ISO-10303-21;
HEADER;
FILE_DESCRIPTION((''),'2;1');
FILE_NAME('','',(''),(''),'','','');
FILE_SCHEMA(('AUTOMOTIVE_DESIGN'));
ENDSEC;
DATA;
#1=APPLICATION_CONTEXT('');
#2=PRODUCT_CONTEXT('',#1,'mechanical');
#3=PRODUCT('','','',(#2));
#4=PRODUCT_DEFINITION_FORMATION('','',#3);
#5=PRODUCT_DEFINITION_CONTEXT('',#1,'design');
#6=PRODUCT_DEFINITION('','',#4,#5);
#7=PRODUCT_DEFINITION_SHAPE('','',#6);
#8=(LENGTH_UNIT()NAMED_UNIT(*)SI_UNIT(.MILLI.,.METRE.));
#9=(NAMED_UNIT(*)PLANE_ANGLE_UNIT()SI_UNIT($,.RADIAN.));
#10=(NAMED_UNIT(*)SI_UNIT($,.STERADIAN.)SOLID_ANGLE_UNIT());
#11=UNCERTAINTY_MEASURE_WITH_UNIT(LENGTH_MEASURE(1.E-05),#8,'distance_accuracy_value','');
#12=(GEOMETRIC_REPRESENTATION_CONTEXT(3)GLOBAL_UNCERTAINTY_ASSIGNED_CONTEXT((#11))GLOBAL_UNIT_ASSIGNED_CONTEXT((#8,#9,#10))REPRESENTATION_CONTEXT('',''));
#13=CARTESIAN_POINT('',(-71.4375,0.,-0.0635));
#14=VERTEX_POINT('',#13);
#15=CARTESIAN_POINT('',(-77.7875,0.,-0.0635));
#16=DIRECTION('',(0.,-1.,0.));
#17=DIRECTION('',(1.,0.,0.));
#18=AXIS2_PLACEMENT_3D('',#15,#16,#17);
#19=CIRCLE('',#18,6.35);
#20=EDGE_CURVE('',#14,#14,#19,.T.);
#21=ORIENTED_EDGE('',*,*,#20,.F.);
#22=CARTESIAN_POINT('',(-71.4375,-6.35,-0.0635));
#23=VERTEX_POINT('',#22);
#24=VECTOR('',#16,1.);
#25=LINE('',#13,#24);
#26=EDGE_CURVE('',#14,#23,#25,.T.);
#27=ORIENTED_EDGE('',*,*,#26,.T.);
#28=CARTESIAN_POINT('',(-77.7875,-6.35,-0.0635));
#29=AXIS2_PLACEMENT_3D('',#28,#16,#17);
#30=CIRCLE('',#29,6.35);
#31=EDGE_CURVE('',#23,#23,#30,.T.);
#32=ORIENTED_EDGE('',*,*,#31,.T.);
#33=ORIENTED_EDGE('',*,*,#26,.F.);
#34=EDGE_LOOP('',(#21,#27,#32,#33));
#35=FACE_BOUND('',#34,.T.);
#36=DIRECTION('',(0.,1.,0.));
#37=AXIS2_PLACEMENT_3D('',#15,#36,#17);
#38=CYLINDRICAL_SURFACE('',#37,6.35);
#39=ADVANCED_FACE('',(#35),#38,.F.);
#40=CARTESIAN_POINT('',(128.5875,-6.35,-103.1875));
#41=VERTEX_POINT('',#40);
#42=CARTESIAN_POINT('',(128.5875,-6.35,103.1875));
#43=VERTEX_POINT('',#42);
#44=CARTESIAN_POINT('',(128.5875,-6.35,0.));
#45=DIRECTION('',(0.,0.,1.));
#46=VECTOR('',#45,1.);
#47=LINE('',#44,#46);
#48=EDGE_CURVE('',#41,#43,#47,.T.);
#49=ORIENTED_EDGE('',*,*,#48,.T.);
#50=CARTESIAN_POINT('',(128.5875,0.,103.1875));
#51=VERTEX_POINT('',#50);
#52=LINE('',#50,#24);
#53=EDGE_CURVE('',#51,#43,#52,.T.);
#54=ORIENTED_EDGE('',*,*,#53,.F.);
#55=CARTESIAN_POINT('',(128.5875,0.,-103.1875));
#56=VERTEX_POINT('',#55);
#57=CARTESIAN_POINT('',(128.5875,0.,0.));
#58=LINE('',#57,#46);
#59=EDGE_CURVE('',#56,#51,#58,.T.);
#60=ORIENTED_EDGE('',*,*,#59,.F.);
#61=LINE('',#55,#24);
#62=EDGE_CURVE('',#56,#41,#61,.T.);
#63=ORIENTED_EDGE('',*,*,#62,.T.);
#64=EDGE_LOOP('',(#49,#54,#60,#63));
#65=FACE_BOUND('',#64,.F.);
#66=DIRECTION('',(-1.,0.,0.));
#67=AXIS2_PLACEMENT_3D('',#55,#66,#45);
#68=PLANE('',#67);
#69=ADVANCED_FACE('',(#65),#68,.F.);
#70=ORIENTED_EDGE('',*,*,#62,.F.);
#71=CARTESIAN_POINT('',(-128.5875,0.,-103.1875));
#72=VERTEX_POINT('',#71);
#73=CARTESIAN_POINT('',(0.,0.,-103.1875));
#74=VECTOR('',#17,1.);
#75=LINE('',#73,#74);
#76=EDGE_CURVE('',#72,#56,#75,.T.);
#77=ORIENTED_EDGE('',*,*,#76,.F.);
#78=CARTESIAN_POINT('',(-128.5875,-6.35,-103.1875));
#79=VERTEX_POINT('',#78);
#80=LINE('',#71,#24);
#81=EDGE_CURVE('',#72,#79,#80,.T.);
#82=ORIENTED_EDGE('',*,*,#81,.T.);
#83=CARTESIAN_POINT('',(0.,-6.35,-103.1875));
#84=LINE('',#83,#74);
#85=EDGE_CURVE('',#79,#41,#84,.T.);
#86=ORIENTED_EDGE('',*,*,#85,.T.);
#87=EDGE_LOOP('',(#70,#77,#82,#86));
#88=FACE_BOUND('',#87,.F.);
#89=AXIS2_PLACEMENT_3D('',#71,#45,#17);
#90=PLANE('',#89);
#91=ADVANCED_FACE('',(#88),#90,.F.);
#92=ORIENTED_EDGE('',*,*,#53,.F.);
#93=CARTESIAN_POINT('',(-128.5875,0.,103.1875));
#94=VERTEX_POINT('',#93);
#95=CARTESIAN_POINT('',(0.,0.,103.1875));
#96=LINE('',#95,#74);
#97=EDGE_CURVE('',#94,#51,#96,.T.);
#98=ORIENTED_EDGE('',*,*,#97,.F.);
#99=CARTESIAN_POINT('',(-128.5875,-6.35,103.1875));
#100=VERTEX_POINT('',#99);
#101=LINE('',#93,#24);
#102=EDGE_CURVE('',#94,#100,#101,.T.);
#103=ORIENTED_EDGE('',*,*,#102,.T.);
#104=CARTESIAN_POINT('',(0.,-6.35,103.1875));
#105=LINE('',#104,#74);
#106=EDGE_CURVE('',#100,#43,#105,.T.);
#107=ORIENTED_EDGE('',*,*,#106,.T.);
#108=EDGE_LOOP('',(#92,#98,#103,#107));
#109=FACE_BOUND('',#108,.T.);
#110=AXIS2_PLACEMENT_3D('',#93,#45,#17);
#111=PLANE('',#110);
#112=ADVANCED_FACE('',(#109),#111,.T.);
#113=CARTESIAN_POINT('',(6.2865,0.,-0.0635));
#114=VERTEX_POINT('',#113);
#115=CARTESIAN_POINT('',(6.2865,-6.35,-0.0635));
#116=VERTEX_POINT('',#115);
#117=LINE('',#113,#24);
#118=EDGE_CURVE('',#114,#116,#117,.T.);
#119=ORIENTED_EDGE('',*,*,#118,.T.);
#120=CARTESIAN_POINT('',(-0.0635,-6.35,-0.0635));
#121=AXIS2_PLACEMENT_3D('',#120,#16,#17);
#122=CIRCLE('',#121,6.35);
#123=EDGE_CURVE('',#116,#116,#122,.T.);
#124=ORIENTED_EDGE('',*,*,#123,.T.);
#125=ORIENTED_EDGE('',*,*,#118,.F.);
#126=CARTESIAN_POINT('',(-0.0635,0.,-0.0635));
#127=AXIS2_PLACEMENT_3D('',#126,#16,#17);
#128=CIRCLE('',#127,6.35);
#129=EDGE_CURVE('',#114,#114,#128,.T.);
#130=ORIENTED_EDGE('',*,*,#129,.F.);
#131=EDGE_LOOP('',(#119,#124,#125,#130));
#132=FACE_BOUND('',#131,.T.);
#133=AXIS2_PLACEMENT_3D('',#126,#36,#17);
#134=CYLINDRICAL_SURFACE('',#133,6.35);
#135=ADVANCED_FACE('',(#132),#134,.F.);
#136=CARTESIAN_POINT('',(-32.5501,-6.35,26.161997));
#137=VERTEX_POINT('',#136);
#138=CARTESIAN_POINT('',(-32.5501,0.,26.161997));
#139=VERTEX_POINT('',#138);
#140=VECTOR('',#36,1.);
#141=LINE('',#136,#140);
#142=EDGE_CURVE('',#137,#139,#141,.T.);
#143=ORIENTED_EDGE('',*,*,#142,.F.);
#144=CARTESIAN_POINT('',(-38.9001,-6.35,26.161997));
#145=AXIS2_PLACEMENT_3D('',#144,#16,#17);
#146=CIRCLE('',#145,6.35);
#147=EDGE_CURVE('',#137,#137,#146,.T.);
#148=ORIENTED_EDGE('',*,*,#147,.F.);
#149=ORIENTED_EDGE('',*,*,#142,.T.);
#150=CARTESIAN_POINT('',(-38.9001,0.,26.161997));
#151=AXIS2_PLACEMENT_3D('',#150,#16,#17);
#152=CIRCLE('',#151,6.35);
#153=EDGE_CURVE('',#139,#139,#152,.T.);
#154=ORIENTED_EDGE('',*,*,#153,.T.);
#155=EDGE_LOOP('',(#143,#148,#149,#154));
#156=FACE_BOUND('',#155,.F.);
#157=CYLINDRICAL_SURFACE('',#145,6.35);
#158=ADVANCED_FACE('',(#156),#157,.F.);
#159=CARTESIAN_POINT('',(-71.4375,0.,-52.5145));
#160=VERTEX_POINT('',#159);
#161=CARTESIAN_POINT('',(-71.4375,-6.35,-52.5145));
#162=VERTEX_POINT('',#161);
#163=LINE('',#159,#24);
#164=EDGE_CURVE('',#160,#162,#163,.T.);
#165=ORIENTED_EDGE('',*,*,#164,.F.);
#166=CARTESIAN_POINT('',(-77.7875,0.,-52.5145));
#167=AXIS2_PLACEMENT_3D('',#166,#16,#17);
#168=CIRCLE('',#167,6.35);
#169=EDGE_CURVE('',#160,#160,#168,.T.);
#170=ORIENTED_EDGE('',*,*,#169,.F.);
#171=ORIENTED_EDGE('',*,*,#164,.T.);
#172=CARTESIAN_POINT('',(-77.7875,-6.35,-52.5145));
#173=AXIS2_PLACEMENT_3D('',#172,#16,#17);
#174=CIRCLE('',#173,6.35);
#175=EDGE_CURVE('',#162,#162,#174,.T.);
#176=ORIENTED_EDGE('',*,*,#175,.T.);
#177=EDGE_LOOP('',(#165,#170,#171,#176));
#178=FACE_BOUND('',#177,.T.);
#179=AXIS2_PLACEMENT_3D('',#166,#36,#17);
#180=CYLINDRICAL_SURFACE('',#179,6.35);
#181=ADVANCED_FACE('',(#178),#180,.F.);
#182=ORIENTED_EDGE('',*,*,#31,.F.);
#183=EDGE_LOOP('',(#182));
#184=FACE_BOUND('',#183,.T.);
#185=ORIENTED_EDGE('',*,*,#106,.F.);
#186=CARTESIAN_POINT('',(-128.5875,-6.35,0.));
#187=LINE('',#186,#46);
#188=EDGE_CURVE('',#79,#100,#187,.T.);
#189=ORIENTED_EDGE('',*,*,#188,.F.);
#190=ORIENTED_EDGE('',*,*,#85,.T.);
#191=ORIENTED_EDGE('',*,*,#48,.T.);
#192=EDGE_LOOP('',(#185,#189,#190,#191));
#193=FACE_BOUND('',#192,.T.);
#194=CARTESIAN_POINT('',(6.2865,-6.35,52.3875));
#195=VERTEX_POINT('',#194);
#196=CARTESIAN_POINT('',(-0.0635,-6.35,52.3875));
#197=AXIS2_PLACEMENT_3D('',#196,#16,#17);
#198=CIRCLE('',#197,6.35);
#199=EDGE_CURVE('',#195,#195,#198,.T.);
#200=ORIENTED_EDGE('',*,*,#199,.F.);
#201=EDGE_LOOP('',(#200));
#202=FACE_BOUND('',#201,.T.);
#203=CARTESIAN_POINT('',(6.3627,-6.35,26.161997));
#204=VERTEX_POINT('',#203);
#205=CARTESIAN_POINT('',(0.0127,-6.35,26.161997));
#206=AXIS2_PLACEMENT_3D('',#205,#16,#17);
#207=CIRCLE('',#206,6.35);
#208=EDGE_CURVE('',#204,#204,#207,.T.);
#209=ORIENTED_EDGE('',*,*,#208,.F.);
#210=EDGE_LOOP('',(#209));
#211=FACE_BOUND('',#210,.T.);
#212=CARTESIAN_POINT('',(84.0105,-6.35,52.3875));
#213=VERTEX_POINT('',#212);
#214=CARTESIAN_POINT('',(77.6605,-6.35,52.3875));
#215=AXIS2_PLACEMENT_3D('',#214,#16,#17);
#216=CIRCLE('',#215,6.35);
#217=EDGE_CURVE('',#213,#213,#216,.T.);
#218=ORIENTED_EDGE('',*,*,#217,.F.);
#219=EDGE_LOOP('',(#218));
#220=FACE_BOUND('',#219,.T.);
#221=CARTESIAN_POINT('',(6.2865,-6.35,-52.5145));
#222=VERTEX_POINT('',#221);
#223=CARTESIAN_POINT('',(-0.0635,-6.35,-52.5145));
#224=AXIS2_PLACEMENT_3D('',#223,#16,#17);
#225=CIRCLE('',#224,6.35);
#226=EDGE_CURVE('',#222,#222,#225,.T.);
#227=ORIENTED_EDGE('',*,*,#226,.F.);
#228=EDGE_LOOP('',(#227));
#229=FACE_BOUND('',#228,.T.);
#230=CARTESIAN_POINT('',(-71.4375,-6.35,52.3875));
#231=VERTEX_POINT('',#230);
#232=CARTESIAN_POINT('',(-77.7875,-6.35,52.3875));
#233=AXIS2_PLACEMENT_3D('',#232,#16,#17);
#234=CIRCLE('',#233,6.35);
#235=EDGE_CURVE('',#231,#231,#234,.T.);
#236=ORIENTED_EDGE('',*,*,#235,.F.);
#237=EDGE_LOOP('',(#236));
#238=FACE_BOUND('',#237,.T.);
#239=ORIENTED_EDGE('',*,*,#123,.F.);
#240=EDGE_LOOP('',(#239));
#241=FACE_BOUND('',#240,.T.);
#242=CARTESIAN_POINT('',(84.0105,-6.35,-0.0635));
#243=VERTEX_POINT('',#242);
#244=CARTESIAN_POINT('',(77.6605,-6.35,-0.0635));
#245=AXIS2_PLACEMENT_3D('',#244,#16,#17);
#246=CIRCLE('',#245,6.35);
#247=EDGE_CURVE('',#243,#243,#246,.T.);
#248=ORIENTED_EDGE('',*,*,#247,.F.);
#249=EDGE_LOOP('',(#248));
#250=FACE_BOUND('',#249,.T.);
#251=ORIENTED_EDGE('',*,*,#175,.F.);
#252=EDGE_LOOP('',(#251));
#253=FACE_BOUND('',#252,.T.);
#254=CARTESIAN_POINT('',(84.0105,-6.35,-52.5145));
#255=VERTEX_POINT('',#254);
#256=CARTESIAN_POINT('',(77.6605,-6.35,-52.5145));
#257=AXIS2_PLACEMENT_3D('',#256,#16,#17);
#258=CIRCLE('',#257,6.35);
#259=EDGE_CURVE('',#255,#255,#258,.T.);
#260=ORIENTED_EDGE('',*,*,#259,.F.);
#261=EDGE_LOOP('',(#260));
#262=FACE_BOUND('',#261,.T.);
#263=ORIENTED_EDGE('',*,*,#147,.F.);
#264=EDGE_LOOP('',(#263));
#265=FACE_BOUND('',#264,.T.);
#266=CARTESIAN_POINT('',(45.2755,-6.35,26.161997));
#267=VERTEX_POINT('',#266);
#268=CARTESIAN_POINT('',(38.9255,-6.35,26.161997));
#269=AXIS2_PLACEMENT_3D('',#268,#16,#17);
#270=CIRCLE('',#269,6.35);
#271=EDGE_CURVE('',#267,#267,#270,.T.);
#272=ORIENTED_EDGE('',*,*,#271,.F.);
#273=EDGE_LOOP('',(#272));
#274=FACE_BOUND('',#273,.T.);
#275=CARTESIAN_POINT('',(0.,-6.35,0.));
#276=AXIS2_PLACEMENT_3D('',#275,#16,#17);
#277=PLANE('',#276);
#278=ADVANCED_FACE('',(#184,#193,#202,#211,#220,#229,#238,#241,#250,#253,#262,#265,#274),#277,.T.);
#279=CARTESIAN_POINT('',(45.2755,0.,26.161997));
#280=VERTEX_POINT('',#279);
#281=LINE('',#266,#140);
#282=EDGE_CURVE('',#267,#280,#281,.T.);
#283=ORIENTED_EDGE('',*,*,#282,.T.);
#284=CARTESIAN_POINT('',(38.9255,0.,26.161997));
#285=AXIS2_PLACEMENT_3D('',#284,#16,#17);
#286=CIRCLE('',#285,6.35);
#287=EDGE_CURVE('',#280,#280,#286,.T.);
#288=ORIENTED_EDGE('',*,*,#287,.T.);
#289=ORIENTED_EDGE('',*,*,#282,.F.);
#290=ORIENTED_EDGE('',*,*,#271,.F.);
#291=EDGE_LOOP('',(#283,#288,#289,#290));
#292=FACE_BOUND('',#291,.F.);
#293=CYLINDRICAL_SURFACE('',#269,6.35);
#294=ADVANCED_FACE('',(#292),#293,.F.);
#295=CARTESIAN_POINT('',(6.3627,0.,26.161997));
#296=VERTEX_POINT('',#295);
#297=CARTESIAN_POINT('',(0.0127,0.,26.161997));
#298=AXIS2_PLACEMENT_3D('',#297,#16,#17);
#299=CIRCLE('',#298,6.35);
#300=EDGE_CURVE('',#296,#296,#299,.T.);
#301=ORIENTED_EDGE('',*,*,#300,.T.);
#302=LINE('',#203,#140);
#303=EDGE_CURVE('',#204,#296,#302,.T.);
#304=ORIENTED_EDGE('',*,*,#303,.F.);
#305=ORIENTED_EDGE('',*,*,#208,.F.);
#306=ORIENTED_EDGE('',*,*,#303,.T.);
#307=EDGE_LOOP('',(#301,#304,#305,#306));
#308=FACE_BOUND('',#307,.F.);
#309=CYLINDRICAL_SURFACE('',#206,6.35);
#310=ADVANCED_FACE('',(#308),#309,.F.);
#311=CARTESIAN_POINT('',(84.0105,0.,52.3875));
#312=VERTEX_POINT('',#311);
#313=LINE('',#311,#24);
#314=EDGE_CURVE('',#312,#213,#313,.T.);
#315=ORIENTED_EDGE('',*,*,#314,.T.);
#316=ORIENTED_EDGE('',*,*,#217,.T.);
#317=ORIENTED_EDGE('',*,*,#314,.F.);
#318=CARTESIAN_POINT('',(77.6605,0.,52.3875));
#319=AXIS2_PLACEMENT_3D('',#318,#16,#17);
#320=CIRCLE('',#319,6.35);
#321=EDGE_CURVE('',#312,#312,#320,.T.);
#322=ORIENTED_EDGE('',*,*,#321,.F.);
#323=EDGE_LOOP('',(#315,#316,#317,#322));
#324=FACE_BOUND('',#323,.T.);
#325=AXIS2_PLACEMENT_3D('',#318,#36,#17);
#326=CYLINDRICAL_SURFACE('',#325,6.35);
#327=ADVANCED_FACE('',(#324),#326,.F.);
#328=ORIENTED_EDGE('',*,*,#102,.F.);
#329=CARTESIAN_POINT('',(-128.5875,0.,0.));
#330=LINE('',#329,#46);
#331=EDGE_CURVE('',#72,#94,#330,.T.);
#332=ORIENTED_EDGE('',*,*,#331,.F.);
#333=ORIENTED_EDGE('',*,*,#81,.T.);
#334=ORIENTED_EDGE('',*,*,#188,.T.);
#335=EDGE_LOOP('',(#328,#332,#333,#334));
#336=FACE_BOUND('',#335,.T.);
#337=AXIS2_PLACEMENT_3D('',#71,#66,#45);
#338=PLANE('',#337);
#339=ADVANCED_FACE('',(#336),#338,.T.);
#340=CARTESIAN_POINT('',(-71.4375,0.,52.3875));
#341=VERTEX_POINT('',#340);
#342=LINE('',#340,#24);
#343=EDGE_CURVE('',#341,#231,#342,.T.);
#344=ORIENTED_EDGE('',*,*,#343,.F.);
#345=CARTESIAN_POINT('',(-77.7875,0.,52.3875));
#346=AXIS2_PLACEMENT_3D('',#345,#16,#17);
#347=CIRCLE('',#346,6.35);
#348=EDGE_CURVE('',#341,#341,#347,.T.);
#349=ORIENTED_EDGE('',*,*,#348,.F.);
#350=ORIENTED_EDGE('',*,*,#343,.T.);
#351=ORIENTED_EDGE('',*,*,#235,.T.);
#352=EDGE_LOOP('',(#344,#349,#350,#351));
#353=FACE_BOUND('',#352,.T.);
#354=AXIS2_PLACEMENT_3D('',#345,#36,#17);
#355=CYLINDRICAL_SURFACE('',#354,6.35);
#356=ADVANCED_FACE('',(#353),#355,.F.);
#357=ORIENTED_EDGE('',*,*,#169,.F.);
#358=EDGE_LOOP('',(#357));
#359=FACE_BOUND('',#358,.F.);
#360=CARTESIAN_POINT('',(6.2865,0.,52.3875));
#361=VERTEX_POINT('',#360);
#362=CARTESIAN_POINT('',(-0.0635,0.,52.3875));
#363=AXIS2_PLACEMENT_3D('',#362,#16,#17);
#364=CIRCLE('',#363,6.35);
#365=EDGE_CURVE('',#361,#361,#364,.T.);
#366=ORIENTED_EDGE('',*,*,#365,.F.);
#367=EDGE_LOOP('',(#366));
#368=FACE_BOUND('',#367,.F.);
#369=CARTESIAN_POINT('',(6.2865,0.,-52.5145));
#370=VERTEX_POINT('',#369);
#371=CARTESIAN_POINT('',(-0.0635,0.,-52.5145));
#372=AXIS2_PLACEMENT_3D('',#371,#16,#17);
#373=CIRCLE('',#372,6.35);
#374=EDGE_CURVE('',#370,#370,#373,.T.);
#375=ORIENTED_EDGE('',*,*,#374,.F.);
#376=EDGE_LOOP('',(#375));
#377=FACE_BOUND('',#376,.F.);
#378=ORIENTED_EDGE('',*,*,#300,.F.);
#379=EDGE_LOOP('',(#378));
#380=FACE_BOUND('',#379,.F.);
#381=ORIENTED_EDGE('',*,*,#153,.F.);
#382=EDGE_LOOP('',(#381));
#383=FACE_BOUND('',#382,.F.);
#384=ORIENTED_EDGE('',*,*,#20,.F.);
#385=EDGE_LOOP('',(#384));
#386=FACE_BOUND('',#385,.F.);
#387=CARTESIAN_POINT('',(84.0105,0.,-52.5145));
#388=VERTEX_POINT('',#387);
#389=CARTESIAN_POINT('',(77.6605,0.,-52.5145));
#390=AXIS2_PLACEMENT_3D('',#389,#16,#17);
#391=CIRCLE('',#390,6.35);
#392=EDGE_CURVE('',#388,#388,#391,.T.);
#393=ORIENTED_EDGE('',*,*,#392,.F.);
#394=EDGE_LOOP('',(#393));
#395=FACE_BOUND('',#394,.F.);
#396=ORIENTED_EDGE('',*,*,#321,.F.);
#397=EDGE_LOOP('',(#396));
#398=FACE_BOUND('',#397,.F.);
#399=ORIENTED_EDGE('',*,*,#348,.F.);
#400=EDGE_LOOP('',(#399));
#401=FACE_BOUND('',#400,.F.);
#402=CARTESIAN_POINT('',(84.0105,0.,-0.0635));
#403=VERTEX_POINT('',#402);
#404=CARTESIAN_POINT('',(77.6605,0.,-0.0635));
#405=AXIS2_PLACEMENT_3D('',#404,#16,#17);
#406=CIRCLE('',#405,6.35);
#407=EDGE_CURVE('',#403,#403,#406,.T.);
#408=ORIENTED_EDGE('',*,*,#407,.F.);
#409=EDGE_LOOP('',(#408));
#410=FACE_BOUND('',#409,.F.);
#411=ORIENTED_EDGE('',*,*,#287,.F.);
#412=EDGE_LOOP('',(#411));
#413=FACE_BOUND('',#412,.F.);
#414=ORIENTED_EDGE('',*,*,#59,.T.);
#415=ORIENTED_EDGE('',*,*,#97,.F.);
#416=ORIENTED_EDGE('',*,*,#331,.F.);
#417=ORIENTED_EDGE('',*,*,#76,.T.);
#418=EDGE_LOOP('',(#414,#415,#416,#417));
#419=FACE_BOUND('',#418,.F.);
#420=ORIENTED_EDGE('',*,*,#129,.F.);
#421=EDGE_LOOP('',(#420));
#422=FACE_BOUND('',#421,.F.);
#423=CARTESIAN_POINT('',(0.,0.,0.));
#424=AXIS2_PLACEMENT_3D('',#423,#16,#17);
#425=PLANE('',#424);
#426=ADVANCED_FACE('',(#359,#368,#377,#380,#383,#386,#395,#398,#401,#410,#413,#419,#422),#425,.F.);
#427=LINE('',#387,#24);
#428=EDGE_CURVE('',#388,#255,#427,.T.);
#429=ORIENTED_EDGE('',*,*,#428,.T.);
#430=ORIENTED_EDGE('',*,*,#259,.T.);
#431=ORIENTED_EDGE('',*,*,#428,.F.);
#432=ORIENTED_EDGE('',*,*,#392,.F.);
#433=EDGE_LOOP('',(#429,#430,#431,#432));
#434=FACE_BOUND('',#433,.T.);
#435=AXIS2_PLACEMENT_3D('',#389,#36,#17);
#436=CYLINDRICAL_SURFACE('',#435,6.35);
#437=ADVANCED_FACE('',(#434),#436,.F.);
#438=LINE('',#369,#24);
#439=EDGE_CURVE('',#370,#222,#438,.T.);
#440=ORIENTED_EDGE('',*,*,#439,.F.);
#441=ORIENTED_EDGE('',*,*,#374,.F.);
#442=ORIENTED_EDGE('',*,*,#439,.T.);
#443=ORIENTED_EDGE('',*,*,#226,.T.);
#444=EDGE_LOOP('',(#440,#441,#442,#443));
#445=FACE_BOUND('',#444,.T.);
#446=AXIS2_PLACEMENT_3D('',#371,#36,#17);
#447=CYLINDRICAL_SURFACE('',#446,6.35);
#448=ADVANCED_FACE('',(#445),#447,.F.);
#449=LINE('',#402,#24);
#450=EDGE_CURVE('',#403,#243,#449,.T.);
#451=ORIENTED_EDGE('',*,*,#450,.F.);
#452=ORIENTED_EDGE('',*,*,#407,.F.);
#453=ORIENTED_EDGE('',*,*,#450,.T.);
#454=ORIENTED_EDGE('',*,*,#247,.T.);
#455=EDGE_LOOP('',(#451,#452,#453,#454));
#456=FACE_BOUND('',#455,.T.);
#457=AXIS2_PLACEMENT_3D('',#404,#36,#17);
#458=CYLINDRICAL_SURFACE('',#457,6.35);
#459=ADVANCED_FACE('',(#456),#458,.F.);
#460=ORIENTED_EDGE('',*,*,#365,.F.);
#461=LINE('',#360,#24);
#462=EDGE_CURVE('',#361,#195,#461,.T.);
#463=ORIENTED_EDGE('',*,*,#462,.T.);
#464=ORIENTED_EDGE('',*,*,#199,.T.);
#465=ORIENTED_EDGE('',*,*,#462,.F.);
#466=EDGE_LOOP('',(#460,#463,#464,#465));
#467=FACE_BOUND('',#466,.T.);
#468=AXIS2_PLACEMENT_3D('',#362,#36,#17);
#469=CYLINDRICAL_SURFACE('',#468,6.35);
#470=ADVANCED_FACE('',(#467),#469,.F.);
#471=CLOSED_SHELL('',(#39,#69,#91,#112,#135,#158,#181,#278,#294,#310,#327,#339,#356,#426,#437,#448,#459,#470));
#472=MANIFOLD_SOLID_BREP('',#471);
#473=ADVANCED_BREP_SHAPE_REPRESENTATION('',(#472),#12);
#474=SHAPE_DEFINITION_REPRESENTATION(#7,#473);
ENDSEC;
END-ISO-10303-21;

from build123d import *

# Parameters (mm, degrees)
F0_W     = 257.175
F0_H     = 206.375
F0_W_2   = 206.375
F0_H_2   = 155.575
F0_R     = 6.35
F1_DEPTH = 6.35
F2_R     = 6.35
F3_DEPTH = 25.4


with BuildPart() as f1:
    # F0 (on Front) → F1 (new body)
    with BuildSketch(Plane.XZ):
        Rectangle(F0_W, F0_H)
        Rectangle(F0_W_2, F0_H_2, mode=Mode.SUBTRACT)
        Rectangle(F0_W_2, F0_H_2)
        with Locations((-77.7875, -52.5145)):
            Circle(F0_R, mode=Mode.SUBTRACT)
        with Locations((-0.0635, -52.5145)):
            Circle(F0_R, mode=Mode.SUBTRACT)
        with Locations((-77.7875, -0.0635)):
            Circle(F0_R, mode=Mode.SUBTRACT)
        with Locations((-0.0635, -0.0635)):
            Circle(F0_R, mode=Mode.SUBTRACT)
        with Locations((77.6605, -52.5145)):
            Circle(F0_R, mode=Mode.SUBTRACT)
        with Locations((77.6605, -0.0635)):
            Circle(F0_R, mode=Mode.SUBTRACT)
        with Locations((-77.7875, 52.3875)):
            Circle(F0_R, mode=Mode.SUBTRACT)
        with Locations((-0.0635, 52.3875)):
            Circle(F0_R, mode=Mode.SUBTRACT)
        with Locations((77.6605, 52.3875)):
            Circle(F0_R, mode=Mode.SUBTRACT)
    extrude(amount=F1_DEPTH)

    # F2 (on face) → F3 (cut)
    with BuildSketch(Plane.XZ.offset(6.35)):
        with Locations((-38.9001, 26.161997)):
            Circle(F2_R)
        with Locations((0.0127, 26.161997)):
            Circle(F2_R)
        with Locations((38.9255, 26.161997)):
            Circle(F2_R)
    extrude(amount=-F3_DEPTH, mode=Mode.SUBTRACT)


solid = f1.part
